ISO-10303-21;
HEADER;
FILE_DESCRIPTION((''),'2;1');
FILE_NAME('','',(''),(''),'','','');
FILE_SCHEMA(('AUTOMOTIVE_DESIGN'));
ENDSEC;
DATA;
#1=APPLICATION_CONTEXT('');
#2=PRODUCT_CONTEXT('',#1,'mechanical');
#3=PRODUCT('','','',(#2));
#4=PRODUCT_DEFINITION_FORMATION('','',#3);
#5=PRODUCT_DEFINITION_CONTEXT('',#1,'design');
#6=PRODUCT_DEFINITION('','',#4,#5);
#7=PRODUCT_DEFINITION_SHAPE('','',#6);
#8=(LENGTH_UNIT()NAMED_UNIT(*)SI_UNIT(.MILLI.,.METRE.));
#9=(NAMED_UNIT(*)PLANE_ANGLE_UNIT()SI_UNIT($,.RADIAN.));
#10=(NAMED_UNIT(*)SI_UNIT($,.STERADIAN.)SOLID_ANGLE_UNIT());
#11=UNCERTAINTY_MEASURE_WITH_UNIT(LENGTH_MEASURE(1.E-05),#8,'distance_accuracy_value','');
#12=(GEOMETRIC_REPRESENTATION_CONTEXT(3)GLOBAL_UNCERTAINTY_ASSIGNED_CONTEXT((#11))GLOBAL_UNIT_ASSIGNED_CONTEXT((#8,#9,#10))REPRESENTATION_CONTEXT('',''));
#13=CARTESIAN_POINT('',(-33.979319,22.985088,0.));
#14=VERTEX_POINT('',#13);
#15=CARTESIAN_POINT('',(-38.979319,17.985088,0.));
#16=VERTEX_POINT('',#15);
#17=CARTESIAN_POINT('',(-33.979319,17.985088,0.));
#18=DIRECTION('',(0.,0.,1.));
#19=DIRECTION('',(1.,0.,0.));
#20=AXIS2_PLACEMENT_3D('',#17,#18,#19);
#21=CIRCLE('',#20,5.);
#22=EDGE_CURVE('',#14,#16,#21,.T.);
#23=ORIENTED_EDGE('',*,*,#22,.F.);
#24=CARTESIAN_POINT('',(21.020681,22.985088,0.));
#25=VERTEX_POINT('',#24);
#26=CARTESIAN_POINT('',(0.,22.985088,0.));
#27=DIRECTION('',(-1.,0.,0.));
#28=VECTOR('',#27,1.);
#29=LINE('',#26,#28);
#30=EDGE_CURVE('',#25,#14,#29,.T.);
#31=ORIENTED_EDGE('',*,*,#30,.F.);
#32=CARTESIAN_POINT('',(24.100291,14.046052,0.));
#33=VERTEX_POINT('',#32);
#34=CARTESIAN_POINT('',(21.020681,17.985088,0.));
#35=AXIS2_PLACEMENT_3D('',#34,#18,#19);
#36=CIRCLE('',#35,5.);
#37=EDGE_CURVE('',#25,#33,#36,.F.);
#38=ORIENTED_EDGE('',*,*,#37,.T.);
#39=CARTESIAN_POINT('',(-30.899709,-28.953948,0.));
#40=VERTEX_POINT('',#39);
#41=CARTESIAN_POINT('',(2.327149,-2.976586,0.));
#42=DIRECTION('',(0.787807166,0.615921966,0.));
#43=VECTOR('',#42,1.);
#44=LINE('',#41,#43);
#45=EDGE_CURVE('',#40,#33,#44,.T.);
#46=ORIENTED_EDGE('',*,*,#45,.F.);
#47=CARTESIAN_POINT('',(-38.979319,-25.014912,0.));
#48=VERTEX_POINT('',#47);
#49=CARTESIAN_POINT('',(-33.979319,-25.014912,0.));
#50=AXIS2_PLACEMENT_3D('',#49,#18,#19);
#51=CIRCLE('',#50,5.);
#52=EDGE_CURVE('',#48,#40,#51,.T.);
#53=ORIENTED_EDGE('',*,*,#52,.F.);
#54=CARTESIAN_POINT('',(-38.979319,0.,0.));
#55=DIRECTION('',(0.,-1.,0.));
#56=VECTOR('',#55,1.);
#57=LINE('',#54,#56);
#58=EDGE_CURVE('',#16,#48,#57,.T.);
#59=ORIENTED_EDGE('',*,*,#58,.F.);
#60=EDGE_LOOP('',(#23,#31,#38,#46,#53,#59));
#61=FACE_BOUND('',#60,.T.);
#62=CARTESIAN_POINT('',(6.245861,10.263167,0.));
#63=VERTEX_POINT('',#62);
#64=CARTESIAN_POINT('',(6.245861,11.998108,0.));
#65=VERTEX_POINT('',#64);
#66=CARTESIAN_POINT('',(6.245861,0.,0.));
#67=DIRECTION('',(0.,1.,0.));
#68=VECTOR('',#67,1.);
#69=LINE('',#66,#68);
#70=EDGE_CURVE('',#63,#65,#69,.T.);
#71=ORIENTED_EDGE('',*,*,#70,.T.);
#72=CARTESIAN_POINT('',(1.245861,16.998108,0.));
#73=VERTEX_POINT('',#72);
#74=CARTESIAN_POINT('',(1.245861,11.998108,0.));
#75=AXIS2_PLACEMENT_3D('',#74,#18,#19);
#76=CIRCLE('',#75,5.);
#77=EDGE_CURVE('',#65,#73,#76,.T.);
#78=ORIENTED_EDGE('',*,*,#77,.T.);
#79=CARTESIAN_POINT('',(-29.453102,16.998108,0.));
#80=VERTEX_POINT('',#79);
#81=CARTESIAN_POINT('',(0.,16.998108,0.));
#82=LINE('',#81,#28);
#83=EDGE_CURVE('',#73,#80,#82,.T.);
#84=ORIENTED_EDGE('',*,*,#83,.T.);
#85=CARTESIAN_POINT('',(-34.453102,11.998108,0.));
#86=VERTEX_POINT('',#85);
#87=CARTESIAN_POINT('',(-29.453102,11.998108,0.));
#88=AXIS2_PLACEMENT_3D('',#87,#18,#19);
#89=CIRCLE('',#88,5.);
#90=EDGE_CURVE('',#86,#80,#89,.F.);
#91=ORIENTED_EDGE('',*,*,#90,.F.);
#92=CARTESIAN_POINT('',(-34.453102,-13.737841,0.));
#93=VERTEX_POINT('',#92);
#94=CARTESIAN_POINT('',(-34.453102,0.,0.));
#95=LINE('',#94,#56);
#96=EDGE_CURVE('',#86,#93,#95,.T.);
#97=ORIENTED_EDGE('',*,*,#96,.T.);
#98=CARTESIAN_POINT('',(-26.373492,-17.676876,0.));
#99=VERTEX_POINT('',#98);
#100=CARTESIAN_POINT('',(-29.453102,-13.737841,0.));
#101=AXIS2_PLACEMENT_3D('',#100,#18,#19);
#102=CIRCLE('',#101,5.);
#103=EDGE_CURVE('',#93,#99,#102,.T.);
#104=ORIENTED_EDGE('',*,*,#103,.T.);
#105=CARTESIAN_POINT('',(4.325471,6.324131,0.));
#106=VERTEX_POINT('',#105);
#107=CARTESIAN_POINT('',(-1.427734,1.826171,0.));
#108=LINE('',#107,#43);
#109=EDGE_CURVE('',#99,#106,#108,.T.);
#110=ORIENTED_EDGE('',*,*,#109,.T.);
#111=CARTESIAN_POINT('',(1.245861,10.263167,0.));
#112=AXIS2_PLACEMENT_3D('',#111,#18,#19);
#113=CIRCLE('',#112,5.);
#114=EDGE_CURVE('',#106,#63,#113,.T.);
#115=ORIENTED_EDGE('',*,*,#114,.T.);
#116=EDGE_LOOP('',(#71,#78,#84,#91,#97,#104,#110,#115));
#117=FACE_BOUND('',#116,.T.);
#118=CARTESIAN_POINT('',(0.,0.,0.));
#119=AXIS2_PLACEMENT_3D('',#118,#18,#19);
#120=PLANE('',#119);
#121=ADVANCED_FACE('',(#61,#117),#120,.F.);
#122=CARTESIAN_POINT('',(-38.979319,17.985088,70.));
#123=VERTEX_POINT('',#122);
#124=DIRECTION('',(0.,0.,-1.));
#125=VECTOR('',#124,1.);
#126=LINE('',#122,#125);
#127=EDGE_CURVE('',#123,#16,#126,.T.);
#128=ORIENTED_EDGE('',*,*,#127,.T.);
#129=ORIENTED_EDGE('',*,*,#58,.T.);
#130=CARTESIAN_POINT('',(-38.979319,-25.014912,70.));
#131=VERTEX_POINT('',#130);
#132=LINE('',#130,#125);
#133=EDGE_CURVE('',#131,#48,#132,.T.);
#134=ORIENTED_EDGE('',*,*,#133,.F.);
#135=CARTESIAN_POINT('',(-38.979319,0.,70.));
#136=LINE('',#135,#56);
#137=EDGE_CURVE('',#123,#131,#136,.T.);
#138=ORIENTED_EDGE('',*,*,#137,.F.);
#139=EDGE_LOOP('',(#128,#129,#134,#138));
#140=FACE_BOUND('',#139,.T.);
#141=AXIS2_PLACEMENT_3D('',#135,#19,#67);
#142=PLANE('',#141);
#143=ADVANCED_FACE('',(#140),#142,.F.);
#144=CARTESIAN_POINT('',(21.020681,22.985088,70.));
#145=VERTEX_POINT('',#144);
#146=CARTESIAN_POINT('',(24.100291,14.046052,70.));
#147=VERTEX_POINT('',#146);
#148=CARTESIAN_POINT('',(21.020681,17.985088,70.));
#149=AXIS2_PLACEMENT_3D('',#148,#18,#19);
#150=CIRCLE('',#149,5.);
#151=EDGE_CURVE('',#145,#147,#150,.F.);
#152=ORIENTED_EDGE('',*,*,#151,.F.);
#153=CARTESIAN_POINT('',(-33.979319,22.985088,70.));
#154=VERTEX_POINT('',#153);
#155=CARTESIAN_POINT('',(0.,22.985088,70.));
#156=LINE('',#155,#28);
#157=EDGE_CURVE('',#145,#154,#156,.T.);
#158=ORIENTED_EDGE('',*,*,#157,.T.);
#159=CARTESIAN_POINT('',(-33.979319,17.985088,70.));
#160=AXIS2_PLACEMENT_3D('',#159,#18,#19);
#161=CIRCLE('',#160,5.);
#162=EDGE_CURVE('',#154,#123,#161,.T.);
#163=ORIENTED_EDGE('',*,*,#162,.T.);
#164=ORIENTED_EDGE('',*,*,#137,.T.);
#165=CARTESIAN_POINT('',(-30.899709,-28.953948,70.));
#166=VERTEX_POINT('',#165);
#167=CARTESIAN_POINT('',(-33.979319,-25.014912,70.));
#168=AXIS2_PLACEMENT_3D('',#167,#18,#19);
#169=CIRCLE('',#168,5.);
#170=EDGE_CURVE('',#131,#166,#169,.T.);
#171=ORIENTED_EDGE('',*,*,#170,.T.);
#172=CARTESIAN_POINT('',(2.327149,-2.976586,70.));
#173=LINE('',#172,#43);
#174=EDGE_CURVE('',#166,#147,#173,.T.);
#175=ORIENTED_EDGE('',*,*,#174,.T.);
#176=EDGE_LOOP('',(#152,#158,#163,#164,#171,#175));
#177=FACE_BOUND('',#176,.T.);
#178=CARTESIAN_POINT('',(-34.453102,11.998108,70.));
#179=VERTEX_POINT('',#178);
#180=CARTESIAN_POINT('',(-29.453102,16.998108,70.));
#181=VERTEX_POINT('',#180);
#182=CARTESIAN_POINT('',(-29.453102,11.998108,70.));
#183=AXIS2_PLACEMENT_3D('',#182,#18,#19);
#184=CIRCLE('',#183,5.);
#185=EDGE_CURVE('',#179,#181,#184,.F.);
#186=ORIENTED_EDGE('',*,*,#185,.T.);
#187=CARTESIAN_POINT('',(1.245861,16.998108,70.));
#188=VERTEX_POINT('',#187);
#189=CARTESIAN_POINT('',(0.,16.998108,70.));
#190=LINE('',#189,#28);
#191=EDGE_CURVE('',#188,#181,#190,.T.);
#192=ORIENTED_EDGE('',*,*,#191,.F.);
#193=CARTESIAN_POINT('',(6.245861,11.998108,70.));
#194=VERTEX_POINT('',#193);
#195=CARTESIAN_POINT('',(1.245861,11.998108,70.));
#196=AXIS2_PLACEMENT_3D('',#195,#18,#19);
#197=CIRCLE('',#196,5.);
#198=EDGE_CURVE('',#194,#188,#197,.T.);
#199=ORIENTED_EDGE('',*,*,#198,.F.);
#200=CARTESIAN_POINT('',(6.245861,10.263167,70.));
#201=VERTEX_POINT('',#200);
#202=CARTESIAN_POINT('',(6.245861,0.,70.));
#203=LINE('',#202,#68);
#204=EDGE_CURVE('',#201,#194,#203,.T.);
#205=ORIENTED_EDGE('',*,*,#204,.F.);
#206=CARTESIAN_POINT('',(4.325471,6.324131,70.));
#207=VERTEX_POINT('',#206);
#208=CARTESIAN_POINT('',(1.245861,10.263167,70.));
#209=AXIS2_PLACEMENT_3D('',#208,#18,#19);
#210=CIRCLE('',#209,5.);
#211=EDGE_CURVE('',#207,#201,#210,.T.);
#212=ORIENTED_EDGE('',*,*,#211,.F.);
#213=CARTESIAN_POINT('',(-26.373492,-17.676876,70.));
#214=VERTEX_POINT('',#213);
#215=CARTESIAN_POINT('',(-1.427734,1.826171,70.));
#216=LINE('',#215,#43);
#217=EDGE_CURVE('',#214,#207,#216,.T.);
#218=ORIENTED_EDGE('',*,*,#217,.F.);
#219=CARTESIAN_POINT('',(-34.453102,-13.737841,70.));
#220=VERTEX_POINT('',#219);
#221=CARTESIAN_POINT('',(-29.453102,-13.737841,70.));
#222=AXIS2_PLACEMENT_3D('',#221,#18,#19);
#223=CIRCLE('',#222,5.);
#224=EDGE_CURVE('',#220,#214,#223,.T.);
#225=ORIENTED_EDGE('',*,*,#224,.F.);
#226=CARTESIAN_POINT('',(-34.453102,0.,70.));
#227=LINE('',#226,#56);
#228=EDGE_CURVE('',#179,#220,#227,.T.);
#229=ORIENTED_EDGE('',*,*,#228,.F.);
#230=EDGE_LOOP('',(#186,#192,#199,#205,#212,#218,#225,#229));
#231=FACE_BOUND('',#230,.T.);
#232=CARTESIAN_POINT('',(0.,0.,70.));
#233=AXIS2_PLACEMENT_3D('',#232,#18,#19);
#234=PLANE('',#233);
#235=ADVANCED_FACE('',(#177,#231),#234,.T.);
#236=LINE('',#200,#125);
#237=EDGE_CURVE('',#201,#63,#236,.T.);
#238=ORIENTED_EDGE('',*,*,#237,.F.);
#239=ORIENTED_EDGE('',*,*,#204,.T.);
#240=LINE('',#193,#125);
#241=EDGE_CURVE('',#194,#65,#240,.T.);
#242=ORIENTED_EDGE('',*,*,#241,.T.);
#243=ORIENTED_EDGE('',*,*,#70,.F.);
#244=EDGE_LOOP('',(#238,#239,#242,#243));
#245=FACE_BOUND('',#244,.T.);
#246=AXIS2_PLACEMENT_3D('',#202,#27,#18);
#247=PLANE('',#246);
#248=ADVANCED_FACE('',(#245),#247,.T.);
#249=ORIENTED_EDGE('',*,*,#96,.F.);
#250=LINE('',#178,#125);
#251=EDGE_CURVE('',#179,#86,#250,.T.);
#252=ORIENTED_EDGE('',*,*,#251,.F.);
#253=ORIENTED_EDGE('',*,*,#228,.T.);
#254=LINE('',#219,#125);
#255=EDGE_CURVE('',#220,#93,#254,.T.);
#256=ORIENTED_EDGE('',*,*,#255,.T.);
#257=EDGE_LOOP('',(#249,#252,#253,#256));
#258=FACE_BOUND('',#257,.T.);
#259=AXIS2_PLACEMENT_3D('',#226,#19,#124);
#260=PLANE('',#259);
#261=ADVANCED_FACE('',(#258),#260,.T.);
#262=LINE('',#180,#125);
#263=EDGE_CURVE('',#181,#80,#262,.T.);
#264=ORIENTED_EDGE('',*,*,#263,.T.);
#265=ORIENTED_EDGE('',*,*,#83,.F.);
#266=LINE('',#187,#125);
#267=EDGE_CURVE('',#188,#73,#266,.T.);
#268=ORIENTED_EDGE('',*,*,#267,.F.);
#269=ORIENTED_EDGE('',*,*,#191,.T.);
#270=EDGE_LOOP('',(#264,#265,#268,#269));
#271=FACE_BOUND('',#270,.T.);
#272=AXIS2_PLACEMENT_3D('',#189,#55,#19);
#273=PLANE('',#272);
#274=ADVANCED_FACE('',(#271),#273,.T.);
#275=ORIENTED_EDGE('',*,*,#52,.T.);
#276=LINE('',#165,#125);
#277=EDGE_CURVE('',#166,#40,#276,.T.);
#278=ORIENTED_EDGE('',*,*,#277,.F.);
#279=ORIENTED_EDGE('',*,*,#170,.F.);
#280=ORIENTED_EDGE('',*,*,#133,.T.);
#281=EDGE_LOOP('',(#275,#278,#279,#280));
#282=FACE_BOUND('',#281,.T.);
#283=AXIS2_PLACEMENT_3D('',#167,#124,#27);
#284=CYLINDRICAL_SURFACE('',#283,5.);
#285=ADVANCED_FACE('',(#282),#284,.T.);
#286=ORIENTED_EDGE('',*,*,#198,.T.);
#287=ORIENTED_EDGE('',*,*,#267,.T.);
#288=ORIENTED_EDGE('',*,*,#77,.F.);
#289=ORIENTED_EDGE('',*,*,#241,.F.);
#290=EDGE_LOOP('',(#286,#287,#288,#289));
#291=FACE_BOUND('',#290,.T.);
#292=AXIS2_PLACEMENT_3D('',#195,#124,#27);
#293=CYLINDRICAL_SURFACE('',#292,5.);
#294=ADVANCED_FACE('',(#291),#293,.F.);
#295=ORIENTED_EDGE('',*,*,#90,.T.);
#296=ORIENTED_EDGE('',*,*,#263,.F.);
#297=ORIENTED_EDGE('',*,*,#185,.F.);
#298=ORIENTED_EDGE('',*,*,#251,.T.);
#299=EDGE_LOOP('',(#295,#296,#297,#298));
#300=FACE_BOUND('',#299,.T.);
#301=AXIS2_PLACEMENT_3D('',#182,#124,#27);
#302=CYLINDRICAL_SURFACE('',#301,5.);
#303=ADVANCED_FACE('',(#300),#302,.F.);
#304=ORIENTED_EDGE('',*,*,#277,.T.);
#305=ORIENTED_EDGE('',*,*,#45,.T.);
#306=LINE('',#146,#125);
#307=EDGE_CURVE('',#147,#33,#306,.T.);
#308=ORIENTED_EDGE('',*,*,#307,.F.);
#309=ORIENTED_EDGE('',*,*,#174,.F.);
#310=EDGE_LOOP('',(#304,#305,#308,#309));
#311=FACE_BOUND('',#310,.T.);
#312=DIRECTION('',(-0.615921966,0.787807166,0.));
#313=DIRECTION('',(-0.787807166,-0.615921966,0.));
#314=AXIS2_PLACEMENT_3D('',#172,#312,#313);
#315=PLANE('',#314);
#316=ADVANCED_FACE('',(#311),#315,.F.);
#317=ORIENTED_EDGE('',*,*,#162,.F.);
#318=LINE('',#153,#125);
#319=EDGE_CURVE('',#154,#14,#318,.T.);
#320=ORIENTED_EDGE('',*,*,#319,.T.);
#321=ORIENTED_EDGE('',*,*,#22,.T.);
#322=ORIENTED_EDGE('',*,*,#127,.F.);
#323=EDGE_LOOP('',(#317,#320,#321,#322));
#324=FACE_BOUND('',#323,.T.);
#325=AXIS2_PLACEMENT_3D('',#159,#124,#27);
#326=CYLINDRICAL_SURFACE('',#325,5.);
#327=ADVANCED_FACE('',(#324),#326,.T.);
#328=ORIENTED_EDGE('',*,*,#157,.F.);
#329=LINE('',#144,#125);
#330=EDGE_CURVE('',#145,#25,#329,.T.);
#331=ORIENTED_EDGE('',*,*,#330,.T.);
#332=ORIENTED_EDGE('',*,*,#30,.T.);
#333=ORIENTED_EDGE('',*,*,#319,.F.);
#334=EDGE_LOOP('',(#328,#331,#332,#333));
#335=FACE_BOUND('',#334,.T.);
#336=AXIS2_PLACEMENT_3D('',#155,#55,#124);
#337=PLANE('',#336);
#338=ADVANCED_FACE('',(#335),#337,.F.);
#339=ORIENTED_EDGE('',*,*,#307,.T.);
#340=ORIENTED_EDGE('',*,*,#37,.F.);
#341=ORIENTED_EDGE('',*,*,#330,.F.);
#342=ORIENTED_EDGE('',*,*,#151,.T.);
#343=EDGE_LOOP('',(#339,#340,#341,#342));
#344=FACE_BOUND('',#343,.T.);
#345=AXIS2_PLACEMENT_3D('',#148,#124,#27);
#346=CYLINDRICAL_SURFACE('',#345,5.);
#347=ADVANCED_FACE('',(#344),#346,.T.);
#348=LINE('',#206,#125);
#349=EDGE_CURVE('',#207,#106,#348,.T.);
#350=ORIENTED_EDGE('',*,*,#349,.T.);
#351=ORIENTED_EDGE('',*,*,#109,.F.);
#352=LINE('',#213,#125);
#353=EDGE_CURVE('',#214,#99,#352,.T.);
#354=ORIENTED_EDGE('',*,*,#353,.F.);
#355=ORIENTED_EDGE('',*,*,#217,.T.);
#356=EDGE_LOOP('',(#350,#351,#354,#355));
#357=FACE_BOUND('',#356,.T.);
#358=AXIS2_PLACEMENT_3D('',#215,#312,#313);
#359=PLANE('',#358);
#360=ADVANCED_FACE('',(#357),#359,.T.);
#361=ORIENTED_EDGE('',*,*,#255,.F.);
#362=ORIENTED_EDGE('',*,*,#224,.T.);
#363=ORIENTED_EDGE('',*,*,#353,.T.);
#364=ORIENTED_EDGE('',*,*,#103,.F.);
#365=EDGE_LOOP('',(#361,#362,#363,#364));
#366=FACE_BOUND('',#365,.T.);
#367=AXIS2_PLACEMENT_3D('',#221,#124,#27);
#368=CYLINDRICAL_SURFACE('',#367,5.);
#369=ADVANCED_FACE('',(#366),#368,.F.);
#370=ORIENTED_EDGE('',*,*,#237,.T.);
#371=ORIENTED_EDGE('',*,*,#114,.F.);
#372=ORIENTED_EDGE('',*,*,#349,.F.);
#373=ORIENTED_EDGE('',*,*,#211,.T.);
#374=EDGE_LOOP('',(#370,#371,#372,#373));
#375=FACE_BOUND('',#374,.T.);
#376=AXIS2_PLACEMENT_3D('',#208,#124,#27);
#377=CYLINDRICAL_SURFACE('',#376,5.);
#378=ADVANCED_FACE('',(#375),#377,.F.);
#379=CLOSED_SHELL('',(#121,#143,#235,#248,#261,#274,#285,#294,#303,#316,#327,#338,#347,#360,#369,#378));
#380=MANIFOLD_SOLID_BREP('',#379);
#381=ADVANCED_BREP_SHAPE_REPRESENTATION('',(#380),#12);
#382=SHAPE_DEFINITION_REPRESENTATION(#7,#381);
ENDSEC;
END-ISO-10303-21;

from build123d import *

# Parameters (mm, degrees)
BOSS_EXTRUDE1_DEPTH = 70


with BuildPart() as part:
    # Sketch2 → Boss-Extrude1 (new body)
    with BuildSketch(Plane.XY):
        with BuildLine():
            ThreePointArc((21.020681104, 22.985087501), (25.748004826, 19.613709748), (24.100290936, 14.04605167))
            Line((24.100290936, 14.04605167), (-30.899709064, -28.95394833))
            ThreePointArc((-30.899709064, -28.95394833), (-36.170431723, -29.509244994), (-38.979318896, -25.014912499))
            Line((-38.979318896, -25.014912499), (-38.979318896, 17.985087501))
            ThreePointArc((-38.979318896, 17.985087501), (-37.514852802, 21.520621407), (-33.979318896, 22.985087501))
            Line((-33.979318896, 22.985087501), (21.020681104, 22.985087501))
        make_face()
        with BuildLine():
            ThreePointArc((6.245861273, 11.998107897), (4.781395179, 15.533641803), (1.245861273, 16.998107897))
            Line((1.245861273, 16.998107897), (-29.453101677, 16.998107897))
            ThreePointArc((-29.453101677, 16.998107897), (-32.988635583, 15.533641803), (-34.453101677, 11.998107897))
            Line((-34.453101677, 11.998107897), (-34.453101677, -13.737840514))
            ThreePointArc((-34.453101677, -13.737840514), (-31.644214504, -18.232173009), (-26.373491845, -17.676876345))
            Line((-26.373491845, -17.676876345), (4.325471105, 6.324131052))
            ThreePointArc((4.325471105, 6.324131052), (5.740193768, 8.072054056), (6.245861273, 10.263166883))
            Line((6.245861273, 10.263166883), (6.245861273, 11.998107897))
        make_face(mode=Mode.SUBTRACT)
    extrude(amount=BOSS_EXTRUDE1_DEPTH)


solid = part.part
